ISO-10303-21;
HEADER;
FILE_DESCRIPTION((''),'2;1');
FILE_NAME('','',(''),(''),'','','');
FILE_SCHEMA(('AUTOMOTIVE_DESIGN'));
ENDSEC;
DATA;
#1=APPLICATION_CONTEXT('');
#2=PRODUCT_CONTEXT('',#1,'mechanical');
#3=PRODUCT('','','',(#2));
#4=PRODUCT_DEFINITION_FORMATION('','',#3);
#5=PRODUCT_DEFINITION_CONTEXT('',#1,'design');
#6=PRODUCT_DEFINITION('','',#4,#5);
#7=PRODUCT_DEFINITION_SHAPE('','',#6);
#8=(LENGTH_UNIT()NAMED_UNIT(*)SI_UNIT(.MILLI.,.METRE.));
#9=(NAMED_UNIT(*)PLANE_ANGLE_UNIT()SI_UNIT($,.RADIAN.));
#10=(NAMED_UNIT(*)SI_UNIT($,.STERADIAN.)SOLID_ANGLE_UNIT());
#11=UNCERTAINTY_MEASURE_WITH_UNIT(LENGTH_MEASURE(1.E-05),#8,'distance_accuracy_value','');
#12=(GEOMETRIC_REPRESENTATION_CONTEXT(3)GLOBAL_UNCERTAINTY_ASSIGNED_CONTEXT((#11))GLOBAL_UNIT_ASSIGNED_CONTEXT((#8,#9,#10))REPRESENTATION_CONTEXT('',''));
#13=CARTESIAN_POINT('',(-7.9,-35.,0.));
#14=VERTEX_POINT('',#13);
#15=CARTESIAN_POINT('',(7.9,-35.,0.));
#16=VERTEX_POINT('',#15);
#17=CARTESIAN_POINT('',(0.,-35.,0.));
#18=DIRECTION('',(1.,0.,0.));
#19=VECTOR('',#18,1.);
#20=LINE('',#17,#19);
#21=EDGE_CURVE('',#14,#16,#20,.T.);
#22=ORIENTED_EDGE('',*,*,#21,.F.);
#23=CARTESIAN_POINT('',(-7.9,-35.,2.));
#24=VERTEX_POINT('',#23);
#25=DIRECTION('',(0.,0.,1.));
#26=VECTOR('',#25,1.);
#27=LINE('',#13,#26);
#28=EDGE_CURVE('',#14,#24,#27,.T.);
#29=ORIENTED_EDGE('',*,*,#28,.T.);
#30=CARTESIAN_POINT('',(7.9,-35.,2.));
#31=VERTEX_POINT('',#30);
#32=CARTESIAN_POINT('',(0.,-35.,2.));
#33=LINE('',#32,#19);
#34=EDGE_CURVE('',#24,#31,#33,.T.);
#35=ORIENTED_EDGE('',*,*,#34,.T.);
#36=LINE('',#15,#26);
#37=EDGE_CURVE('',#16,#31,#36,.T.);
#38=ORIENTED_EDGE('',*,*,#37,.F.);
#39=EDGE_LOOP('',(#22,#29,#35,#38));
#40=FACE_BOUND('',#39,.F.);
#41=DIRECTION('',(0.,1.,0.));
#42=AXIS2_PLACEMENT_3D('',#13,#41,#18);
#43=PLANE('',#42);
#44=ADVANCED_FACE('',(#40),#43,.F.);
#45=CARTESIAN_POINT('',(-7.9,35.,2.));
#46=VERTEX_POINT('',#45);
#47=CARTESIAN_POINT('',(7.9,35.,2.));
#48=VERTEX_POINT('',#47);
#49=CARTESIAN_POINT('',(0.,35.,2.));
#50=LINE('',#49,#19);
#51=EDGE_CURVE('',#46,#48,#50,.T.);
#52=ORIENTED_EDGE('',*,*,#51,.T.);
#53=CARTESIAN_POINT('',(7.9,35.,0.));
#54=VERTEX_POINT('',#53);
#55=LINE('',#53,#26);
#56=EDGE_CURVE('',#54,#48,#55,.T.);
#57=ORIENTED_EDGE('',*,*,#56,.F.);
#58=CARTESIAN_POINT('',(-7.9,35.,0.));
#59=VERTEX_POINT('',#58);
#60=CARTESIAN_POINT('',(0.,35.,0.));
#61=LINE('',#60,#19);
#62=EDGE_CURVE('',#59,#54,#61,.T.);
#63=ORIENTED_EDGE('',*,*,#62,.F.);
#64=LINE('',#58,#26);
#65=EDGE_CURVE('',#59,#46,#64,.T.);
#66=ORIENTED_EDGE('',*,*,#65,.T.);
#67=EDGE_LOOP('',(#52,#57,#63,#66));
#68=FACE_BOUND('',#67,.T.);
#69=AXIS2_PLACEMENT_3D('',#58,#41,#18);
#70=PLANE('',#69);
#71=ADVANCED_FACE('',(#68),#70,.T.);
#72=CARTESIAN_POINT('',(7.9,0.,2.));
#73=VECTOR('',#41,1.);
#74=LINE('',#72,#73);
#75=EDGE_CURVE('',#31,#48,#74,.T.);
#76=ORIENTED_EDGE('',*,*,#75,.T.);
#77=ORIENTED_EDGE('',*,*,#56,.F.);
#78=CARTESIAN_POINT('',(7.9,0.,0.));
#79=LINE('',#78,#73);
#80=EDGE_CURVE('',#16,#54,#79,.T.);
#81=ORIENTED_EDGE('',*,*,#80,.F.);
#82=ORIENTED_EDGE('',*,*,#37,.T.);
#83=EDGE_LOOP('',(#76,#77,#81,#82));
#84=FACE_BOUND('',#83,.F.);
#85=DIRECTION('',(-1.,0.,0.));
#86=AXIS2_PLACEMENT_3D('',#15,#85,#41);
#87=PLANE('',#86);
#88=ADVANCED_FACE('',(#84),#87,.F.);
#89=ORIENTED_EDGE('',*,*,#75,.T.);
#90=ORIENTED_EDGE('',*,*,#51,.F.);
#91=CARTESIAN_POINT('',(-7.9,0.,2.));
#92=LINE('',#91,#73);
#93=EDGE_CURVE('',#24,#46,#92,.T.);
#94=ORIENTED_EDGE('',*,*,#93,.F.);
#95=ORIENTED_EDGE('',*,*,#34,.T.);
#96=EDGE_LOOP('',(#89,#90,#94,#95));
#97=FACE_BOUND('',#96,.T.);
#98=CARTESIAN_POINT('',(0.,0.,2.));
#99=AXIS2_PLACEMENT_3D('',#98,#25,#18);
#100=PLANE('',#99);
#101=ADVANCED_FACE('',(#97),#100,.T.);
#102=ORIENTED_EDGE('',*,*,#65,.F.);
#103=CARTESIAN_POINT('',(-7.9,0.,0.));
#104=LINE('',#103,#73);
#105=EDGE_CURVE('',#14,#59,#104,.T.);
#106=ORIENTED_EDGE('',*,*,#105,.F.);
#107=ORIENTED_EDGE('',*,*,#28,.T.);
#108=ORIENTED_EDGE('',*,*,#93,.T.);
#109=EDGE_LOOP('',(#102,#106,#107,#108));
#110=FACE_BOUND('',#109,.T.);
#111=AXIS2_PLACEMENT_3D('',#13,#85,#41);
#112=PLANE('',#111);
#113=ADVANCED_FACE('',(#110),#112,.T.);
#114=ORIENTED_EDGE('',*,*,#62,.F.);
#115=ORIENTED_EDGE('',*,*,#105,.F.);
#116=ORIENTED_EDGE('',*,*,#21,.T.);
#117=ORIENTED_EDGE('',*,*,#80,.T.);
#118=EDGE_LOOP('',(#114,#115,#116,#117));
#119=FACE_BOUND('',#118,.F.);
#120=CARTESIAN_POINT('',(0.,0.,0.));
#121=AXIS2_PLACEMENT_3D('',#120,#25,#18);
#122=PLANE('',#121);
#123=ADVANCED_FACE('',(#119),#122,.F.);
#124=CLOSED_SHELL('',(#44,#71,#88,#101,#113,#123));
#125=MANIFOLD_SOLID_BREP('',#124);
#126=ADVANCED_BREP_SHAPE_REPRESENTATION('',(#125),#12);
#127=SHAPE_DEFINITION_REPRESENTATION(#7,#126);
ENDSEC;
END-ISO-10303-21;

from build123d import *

# Parameters (mm, degrees)
SKETCH_W  = 15.8
SKETCH_H  = 70
PAD_DEPTH = 2


with BuildPart() as part:
    # Sketch → Pad (new body)
    with BuildSketch(Plane.XY):
        Rectangle(SKETCH_W, SKETCH_H)
    extrude(amount=PAD_DEPTH)


solid = part.part
